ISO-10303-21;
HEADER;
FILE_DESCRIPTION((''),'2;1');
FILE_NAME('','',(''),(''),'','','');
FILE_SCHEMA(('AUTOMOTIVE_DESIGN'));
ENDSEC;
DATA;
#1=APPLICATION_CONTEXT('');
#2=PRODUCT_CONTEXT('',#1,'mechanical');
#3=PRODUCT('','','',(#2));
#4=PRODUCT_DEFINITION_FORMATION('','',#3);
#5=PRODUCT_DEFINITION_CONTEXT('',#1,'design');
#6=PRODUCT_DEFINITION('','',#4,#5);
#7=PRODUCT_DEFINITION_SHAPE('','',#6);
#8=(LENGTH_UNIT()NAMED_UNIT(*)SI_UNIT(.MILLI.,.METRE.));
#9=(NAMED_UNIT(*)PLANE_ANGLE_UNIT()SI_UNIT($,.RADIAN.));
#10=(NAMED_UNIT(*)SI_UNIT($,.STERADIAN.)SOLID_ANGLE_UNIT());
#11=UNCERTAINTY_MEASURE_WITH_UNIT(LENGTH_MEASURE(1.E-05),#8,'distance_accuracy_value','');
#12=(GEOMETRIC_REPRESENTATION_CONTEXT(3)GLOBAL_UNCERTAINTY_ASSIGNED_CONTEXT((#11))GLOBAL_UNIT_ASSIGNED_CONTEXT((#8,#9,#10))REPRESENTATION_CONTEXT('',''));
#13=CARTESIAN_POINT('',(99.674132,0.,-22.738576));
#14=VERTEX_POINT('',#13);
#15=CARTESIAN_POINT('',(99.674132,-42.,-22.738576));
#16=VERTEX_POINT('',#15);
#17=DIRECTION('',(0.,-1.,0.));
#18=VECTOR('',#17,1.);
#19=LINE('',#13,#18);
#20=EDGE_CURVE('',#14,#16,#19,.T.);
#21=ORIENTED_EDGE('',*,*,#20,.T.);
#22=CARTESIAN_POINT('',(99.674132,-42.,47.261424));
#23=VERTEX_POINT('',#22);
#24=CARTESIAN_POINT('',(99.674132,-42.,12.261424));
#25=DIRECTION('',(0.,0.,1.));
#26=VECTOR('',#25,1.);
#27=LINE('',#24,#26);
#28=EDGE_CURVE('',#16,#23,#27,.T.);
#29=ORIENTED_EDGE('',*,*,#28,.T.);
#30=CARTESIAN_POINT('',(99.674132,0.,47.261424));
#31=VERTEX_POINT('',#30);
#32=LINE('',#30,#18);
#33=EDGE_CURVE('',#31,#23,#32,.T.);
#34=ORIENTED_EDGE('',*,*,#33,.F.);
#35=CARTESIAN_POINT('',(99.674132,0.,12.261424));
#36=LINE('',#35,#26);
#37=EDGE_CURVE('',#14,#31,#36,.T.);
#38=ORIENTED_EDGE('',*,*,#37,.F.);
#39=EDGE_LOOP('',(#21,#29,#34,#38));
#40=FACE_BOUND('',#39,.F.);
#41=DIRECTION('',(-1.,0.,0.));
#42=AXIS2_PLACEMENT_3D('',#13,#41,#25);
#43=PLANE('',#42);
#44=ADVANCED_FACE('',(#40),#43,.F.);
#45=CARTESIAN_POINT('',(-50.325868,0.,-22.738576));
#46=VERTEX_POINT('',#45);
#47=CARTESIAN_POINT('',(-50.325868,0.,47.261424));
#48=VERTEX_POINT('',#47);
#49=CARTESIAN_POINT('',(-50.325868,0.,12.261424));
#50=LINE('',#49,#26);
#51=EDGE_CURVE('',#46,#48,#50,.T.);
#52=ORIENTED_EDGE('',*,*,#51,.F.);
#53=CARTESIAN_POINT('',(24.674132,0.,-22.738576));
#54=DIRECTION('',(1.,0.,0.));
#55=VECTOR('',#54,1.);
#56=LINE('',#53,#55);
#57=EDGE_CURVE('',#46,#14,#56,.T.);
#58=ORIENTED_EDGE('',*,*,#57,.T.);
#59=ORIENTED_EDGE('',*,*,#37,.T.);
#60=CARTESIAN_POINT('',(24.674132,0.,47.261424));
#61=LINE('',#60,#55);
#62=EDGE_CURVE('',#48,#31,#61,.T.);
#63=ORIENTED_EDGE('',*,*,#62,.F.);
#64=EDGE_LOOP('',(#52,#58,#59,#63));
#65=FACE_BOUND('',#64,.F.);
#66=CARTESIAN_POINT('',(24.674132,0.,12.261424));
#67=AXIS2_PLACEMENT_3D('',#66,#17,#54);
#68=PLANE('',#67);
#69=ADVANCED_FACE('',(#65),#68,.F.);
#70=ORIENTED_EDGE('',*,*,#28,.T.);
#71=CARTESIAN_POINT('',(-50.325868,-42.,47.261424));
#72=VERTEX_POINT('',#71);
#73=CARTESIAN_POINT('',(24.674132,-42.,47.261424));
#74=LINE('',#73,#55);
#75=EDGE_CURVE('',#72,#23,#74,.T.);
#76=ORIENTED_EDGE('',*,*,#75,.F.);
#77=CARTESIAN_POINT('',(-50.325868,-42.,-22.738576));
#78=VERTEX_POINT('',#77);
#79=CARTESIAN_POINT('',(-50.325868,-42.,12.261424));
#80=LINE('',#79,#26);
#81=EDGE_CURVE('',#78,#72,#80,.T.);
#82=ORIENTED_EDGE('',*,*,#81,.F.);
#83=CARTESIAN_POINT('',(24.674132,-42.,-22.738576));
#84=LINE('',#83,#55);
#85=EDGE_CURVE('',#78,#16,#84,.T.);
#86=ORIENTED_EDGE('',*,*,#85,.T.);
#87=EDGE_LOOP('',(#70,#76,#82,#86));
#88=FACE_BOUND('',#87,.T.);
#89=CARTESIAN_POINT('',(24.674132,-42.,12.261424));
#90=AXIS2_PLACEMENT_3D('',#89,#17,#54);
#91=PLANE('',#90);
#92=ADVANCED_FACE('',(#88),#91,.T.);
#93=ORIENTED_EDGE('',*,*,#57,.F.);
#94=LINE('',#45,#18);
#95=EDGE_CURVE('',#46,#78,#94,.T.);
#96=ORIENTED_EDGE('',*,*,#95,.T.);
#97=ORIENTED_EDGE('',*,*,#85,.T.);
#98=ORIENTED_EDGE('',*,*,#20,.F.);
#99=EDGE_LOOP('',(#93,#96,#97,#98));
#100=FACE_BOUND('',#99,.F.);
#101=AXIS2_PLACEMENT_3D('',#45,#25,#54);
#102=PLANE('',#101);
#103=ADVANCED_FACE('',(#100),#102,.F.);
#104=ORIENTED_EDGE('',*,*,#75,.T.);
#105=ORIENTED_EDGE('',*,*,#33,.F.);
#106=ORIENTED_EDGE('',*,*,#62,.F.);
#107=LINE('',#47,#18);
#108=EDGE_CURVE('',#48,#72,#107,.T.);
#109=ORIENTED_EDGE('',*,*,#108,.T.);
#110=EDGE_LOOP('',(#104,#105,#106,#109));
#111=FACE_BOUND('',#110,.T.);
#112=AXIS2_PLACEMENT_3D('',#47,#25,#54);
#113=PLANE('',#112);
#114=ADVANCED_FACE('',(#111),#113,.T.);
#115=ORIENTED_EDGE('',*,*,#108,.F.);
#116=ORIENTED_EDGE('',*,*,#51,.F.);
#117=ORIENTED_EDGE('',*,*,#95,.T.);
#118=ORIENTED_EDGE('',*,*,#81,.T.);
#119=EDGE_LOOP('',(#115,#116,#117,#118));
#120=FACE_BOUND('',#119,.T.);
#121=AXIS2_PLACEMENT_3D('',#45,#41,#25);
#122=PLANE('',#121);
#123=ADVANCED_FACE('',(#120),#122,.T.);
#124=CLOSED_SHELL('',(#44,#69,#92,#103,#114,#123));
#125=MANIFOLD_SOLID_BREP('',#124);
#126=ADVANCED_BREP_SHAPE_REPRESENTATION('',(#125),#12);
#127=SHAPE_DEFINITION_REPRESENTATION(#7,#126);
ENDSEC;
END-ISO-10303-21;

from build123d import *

# Parameters (mm, degrees)
F0_W     = 150
F0_H     = 70
F1_DEPTH = 42
F2_R     = 13.890521
F3_DEPTH = 42


with BuildPart() as f1:
    # F0 (on Front) → F1 (new body)
    with BuildSketch(Plane.XZ):
        with Locations((24.674132, 12.261424)):
            Rectangle(F0_W, F0_H)
    extrude(amount=F1_DEPTH)

    # F2 (on face) → F3 (join, through all)
    with BuildSketch(Plane.XZ.offset(42)):
        with Locations((-18.871136, 13.875489)):
            Circle(F2_R)
    extrude(amount=-F3_DEPTH)


solid = f1.part
